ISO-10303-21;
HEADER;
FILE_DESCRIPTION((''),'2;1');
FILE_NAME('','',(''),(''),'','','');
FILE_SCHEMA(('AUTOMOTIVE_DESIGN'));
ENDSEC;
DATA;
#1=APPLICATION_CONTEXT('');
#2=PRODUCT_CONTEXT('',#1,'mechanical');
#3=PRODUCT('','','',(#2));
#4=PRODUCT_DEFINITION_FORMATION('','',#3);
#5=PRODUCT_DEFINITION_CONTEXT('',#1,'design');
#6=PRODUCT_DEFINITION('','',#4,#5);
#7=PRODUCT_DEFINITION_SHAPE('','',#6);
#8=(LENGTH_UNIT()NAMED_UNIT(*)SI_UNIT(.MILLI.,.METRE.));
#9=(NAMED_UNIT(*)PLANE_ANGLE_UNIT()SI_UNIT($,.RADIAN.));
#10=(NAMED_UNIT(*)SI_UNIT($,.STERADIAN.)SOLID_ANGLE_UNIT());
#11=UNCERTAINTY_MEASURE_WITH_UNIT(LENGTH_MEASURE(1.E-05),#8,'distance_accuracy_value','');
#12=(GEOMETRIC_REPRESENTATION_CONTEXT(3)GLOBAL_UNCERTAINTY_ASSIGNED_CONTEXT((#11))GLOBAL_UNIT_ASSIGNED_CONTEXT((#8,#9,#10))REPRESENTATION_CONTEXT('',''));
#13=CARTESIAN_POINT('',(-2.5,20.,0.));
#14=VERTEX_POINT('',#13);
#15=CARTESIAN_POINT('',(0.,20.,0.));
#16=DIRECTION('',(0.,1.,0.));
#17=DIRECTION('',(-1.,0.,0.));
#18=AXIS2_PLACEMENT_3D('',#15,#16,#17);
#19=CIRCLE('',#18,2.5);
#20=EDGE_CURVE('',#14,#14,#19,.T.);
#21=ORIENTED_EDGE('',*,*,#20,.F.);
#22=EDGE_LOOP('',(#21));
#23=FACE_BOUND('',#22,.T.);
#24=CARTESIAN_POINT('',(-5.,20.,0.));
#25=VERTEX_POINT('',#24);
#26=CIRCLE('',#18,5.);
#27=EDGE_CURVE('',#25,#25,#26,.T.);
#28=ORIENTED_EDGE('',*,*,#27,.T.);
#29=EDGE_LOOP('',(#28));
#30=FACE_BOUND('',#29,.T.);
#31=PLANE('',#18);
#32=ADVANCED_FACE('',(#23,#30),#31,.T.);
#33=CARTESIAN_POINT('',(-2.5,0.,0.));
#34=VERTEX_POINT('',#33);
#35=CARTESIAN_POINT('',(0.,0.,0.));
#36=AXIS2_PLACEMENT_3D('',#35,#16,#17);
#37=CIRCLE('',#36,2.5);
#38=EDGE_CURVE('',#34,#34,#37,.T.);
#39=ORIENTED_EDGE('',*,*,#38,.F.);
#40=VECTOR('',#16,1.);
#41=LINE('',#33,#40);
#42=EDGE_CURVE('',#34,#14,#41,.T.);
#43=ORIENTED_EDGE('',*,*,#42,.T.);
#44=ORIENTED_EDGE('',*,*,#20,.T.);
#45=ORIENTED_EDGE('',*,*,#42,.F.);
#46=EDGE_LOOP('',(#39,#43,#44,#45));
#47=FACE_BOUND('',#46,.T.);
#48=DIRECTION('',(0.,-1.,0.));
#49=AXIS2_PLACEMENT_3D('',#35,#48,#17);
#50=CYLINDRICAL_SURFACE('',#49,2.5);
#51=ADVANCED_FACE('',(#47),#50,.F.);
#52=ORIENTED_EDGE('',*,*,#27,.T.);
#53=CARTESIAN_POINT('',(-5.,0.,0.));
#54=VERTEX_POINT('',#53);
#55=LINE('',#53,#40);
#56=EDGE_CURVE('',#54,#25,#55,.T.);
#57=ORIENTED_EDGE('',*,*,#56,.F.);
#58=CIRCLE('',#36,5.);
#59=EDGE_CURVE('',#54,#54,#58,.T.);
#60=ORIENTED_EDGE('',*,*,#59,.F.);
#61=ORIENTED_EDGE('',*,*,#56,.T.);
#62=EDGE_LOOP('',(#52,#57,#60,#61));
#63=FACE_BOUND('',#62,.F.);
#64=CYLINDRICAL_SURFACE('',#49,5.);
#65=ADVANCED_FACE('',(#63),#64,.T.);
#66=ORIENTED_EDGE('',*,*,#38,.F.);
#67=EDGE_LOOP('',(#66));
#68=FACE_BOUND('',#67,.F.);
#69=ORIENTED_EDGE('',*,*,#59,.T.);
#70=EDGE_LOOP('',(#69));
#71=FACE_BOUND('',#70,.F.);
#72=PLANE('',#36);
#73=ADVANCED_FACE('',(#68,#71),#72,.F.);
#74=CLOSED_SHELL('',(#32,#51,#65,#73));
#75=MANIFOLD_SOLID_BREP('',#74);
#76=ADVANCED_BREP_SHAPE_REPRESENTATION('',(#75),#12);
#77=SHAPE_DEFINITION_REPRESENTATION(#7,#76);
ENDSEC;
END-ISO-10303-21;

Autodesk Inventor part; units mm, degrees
ref_plane "YZ Plane" through (0, 0, 0) normal (1, 0, 0) x (0, 1, 0)
ref_plane "XZ Plane" through (0, 0, 0) normal (0, 1, 0) x (-1, 0, 0)
ref_plane "XY Plane" through (0, 0, 0) normal (0, 0, 1) x (1, 0, 0)
sketch "Эскиз1" plane through (0, 0, 0) normal (0, 1, 0) x (-1, 0, 0)
  circle A0 centre (0, 0) radius 2.5
  circle A1 centre (0, 0) radius 5
  dimension "d0" = 5
  dimension "d1" = 10
extrude "Выдавливание1" add sketch "Эскиз1" along normal blind 20
properties part number "проставка" material "Нейлон 6/6"
